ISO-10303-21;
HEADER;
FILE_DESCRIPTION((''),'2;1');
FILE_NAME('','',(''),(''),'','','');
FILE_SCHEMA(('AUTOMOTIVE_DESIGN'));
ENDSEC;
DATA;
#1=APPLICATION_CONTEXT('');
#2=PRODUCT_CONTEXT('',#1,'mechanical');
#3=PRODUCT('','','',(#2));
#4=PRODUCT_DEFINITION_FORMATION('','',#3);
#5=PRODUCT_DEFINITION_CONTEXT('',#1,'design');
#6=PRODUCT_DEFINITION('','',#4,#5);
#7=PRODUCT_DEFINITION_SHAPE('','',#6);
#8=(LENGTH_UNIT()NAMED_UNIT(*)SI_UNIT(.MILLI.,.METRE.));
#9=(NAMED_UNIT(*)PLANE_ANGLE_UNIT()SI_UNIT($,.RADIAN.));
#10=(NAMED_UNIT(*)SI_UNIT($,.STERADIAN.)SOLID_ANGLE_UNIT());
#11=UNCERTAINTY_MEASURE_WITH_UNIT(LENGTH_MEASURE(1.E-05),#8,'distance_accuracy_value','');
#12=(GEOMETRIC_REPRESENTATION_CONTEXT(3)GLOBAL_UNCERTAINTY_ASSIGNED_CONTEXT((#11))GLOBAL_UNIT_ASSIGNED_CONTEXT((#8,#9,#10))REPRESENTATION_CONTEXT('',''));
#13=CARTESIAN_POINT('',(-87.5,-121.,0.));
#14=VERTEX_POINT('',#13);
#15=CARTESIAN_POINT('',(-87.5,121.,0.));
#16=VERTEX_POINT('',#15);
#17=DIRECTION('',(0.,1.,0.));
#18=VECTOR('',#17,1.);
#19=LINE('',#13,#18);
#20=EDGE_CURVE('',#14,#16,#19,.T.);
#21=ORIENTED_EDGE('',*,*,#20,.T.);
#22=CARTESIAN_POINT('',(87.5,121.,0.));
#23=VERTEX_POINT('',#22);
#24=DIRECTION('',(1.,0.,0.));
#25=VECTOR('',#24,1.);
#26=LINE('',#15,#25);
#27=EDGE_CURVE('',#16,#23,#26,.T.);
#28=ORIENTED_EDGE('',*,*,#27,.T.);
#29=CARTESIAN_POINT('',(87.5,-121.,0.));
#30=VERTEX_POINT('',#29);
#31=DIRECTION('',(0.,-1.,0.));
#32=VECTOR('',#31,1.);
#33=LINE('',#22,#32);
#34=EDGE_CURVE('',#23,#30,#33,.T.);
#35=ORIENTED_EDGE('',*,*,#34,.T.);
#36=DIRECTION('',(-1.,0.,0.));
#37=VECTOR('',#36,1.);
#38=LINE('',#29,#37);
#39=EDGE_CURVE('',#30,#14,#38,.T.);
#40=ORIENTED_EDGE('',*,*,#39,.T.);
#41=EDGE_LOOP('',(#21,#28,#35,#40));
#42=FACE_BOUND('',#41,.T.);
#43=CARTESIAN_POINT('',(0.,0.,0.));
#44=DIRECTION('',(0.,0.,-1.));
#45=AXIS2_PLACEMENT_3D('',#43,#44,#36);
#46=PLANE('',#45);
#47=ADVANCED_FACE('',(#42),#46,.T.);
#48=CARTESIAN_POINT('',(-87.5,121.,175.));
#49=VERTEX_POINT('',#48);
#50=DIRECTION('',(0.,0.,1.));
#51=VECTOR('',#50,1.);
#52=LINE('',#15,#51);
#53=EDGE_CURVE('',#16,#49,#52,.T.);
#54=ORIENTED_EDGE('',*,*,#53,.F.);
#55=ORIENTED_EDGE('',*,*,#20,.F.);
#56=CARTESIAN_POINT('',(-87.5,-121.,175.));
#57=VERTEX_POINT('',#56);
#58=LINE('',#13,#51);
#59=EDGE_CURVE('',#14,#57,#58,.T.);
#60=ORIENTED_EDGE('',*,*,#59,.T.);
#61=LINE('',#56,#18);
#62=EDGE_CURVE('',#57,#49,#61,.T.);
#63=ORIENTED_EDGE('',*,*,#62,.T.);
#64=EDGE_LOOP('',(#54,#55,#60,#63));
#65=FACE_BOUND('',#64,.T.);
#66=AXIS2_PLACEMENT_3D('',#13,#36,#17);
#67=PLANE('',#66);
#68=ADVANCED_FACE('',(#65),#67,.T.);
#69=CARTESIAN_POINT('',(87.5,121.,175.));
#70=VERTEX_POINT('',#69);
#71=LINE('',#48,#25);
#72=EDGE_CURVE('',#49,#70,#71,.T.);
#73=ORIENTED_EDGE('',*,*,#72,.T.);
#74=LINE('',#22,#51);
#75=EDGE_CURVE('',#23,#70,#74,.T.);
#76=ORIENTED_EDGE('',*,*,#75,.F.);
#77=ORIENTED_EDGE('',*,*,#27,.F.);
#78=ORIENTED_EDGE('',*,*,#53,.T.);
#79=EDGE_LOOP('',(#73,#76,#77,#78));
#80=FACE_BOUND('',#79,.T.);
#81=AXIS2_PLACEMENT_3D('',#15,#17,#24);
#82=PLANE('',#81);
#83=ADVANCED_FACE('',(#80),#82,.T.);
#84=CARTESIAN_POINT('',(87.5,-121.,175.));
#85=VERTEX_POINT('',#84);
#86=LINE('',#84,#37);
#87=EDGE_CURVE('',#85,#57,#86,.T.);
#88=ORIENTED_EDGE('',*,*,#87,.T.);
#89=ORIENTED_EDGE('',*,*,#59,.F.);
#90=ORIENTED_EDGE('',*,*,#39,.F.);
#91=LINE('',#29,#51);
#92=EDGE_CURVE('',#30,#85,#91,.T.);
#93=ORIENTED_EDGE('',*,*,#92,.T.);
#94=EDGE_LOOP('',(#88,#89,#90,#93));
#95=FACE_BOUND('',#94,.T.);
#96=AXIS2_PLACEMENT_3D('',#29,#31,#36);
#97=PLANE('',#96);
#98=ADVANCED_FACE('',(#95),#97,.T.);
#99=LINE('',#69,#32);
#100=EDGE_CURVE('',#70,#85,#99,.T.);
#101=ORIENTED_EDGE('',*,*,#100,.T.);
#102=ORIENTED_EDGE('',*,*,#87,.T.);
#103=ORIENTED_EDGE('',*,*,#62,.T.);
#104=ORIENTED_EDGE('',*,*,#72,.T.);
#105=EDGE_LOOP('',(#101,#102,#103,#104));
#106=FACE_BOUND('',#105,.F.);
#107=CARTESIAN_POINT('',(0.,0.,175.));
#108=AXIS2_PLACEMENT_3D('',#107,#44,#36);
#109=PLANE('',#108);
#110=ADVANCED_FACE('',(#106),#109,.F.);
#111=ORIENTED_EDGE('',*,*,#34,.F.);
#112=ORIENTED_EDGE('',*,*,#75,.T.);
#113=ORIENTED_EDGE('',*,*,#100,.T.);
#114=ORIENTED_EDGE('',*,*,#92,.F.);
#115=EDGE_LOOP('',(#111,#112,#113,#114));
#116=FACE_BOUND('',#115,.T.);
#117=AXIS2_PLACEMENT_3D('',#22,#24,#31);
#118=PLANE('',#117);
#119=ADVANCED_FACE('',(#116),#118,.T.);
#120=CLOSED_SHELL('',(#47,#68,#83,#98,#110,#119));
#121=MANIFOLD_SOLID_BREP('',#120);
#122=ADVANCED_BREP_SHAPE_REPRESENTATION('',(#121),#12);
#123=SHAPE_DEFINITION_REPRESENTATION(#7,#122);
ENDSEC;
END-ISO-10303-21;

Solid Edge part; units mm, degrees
sketch "Sketch1" plane through (0, 0, 0) normal (0, 0, 1) x (1, 0, 0)
  line L0 (87.5, -121) -> (-87.5, -121)
  line L1 (-87.5, -121) -> (-87.5, 121)
  line L2 (-87.5, 121) -> (87.5, 121)
  line L3 (87.5, 121) -> (87.5, -121)
extrude "Protrusion1" add sketch "Sketch1" along normal blind 175
